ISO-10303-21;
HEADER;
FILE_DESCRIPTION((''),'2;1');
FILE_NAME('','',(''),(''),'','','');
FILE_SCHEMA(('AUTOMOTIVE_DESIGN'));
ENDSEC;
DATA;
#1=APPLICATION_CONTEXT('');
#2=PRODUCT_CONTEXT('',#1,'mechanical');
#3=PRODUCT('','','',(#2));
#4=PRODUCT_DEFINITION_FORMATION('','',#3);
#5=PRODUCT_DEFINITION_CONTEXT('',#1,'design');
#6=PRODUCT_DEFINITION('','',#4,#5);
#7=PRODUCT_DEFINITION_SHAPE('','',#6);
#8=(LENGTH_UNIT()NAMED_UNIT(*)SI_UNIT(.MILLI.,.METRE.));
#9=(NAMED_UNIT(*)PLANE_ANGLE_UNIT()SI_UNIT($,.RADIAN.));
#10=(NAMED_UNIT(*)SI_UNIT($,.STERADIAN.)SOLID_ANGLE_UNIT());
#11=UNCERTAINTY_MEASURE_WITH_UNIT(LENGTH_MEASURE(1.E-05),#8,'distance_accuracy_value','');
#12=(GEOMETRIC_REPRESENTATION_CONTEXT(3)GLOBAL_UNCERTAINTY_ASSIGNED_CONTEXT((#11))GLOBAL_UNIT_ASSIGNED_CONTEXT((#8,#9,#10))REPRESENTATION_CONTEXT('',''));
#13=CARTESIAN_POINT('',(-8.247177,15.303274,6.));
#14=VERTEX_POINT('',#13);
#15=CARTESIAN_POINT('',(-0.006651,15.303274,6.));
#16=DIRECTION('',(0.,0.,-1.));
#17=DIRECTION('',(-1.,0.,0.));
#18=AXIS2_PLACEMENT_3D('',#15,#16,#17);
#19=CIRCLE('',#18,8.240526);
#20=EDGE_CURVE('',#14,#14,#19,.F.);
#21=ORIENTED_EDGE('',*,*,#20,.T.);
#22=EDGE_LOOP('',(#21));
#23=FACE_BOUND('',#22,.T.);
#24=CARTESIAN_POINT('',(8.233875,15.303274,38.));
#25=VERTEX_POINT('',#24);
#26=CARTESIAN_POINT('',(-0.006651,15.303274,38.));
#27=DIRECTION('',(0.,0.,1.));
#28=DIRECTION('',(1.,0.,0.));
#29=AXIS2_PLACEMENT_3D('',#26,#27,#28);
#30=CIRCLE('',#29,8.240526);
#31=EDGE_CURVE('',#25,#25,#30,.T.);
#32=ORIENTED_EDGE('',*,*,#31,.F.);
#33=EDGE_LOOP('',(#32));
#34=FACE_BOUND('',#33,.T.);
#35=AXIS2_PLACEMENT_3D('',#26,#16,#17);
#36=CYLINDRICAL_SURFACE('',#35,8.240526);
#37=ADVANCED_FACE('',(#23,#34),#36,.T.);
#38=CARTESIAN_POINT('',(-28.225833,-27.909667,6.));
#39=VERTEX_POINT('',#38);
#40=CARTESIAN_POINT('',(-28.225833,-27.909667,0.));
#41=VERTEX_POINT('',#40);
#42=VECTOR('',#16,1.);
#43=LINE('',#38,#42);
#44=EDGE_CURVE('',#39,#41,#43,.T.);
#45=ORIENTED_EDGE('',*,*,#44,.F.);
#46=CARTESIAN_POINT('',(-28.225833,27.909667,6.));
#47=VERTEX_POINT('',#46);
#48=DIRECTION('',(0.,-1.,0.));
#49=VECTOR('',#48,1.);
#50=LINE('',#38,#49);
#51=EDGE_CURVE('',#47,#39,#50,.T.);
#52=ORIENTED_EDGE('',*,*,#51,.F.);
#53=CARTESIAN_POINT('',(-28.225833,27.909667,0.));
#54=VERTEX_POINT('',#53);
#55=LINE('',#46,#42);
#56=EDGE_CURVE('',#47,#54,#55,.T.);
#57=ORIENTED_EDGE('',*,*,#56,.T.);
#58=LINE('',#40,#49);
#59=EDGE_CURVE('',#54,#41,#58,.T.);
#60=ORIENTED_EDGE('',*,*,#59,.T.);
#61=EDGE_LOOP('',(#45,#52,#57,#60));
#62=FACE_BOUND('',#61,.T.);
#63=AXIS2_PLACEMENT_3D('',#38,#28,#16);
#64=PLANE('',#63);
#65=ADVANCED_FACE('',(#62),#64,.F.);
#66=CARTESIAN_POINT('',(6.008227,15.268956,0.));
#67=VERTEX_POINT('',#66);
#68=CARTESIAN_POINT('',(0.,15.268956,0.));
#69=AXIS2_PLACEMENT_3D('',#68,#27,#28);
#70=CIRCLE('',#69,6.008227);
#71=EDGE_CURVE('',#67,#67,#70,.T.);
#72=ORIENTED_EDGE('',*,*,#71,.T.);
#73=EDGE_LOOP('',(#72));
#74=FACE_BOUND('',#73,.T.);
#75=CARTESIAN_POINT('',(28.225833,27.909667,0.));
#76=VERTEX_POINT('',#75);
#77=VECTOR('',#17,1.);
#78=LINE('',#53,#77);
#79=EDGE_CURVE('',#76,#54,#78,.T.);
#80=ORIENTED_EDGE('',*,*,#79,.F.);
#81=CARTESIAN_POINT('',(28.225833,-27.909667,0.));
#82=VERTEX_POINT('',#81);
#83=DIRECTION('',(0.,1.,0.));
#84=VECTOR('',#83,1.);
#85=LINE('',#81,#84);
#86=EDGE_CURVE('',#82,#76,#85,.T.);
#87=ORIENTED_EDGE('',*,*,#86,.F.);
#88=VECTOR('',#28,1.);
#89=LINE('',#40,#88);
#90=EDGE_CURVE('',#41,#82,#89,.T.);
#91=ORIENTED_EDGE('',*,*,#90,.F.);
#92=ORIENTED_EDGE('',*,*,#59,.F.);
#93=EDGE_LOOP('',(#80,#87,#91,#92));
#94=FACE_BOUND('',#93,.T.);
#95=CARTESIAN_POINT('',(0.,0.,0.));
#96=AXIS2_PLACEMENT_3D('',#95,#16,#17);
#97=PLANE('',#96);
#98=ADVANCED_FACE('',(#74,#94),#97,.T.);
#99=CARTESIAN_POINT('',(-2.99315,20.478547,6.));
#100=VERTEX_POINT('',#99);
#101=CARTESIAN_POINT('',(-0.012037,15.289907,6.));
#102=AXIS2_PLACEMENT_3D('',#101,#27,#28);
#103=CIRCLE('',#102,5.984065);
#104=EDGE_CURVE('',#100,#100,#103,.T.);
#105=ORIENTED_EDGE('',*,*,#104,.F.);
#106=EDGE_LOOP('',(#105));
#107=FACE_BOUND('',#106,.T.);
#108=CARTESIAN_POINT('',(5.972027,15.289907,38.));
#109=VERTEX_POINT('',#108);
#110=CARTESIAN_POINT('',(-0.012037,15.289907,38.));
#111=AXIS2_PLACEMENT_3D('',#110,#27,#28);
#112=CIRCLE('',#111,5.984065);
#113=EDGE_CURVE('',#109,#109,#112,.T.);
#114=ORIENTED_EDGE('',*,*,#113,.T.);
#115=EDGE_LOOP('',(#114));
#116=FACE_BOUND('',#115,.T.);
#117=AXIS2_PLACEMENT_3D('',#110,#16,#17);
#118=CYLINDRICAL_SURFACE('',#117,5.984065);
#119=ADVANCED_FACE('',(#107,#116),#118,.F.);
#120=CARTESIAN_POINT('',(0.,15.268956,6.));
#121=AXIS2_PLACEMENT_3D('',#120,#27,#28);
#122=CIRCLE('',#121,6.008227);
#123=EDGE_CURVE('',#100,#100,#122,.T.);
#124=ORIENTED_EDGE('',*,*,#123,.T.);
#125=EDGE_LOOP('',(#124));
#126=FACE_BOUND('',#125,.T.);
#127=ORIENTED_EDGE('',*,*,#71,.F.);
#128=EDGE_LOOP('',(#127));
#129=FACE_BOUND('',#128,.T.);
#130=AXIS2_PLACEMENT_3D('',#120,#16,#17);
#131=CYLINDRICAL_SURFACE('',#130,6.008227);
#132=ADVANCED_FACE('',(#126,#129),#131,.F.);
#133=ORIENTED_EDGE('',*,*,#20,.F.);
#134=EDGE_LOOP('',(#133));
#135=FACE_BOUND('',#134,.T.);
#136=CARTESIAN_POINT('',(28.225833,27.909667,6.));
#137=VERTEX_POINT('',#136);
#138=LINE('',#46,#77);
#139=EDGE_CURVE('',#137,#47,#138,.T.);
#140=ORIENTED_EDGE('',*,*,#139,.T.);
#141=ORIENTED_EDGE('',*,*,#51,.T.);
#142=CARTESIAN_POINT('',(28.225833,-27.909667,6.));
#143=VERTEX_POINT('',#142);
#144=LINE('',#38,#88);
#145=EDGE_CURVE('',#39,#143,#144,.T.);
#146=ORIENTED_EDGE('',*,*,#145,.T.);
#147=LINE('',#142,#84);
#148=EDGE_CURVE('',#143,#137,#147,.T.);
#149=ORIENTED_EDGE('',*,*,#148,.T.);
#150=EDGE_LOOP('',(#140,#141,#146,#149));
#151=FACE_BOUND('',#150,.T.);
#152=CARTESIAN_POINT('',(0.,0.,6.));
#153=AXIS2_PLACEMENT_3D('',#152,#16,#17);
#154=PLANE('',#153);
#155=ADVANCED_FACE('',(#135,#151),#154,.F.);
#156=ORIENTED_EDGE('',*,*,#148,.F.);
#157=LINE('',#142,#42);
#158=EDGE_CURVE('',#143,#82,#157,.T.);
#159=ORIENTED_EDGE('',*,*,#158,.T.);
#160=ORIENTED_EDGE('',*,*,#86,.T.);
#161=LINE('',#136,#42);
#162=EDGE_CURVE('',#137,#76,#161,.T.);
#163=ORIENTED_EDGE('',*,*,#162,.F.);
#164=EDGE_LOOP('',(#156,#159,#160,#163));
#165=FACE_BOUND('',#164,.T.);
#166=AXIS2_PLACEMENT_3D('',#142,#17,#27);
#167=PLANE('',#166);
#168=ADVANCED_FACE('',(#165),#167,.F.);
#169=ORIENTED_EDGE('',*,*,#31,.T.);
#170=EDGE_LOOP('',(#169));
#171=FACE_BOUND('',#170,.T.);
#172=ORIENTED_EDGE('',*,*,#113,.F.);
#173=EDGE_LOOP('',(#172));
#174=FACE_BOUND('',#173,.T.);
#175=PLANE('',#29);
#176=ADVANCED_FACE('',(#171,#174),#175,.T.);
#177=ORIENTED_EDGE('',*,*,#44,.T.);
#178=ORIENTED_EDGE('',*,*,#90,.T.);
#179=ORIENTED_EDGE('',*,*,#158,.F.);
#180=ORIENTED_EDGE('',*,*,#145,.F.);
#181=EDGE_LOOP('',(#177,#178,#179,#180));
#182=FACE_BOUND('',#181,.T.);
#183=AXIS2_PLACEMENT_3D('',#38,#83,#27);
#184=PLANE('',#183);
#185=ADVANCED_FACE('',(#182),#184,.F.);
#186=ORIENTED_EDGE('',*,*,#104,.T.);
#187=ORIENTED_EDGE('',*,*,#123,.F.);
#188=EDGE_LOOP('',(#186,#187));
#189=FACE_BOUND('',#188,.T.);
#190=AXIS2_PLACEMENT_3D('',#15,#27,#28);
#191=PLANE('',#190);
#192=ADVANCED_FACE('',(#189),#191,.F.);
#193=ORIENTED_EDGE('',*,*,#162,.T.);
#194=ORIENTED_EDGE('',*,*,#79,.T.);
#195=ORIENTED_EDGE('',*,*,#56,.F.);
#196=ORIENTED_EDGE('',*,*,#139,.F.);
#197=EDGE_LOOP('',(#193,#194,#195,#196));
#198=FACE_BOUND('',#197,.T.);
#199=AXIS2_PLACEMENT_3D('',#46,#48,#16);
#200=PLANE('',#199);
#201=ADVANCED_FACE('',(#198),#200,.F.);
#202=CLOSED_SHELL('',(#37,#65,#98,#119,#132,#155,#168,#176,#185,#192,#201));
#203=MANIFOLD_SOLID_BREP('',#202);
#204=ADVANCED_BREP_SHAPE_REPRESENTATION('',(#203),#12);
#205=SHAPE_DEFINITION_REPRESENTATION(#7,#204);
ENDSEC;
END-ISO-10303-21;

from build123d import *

# Parameters (mm, degrees)
SKETCH_1_W          = 56.451666402
SKETCH_1_H          = 55.81933344
SKETCH_1_R          = 6.008227446
EXTRUDE_1_DEPTH     = 6
SKETCH_2_R          = 5.984064553
EXTRUDE_2_DEPTH     = 32
SKETCH_3_R          = 8.240525962
EXTRUDE_3_DEPTH     = 32
SKETCH_2_3_R        = 5.984064553
CUT_EXTRUDE_2_DEPTH = 51.986735101


with BuildPart() as part:
    # 草图1 → 凸台-拉伸1 (new body)
    with BuildSketch(Plane.XY):
        Rectangle(SKETCH_1_W, SKETCH_1_H)
        with Locations((0, 15.26895552)):
            Circle(SKETCH_1_R, mode=Mode.SUBTRACT)
    extrude(amount=EXTRUDE_1_DEPTH)



with BuildPart() as body_2:
    # 草图2 → 凸台-拉伸2 (new body)
    with BuildSketch(Plane.XY.offset(6)):
        with Locations((-0.012037356, 15.289906593)):
            Circle(SKETCH_2_R)
    extrude(amount=EXTRUDE_2_DEPTH)


with BuildPart() as part_1:
    add(part.part)

    add(body_2.part)  # 凸台-拉伸3 merges body 2
    # 草图3 → 凸台-拉伸3 (add)
    with BuildSketch(Plane.XY.offset(6)):
        with Locations((-0.006651179, 15.303273522)):
            Circle(SKETCH_3_R)
    extrude(amount=EXTRUDE_3_DEPTH)

    # 草图2<3> → 切除-拉伸2 (cut, through all)
    with BuildSketch(Plane.XY.offset(6)):
        with Locations((-0.012037356, 15.289906593)):
            Circle(SKETCH_2_3_R)
    extrude(amount=CUT_EXTRUDE_2_DEPTH, mode=Mode.SUBTRACT)


solid = part_1.part
